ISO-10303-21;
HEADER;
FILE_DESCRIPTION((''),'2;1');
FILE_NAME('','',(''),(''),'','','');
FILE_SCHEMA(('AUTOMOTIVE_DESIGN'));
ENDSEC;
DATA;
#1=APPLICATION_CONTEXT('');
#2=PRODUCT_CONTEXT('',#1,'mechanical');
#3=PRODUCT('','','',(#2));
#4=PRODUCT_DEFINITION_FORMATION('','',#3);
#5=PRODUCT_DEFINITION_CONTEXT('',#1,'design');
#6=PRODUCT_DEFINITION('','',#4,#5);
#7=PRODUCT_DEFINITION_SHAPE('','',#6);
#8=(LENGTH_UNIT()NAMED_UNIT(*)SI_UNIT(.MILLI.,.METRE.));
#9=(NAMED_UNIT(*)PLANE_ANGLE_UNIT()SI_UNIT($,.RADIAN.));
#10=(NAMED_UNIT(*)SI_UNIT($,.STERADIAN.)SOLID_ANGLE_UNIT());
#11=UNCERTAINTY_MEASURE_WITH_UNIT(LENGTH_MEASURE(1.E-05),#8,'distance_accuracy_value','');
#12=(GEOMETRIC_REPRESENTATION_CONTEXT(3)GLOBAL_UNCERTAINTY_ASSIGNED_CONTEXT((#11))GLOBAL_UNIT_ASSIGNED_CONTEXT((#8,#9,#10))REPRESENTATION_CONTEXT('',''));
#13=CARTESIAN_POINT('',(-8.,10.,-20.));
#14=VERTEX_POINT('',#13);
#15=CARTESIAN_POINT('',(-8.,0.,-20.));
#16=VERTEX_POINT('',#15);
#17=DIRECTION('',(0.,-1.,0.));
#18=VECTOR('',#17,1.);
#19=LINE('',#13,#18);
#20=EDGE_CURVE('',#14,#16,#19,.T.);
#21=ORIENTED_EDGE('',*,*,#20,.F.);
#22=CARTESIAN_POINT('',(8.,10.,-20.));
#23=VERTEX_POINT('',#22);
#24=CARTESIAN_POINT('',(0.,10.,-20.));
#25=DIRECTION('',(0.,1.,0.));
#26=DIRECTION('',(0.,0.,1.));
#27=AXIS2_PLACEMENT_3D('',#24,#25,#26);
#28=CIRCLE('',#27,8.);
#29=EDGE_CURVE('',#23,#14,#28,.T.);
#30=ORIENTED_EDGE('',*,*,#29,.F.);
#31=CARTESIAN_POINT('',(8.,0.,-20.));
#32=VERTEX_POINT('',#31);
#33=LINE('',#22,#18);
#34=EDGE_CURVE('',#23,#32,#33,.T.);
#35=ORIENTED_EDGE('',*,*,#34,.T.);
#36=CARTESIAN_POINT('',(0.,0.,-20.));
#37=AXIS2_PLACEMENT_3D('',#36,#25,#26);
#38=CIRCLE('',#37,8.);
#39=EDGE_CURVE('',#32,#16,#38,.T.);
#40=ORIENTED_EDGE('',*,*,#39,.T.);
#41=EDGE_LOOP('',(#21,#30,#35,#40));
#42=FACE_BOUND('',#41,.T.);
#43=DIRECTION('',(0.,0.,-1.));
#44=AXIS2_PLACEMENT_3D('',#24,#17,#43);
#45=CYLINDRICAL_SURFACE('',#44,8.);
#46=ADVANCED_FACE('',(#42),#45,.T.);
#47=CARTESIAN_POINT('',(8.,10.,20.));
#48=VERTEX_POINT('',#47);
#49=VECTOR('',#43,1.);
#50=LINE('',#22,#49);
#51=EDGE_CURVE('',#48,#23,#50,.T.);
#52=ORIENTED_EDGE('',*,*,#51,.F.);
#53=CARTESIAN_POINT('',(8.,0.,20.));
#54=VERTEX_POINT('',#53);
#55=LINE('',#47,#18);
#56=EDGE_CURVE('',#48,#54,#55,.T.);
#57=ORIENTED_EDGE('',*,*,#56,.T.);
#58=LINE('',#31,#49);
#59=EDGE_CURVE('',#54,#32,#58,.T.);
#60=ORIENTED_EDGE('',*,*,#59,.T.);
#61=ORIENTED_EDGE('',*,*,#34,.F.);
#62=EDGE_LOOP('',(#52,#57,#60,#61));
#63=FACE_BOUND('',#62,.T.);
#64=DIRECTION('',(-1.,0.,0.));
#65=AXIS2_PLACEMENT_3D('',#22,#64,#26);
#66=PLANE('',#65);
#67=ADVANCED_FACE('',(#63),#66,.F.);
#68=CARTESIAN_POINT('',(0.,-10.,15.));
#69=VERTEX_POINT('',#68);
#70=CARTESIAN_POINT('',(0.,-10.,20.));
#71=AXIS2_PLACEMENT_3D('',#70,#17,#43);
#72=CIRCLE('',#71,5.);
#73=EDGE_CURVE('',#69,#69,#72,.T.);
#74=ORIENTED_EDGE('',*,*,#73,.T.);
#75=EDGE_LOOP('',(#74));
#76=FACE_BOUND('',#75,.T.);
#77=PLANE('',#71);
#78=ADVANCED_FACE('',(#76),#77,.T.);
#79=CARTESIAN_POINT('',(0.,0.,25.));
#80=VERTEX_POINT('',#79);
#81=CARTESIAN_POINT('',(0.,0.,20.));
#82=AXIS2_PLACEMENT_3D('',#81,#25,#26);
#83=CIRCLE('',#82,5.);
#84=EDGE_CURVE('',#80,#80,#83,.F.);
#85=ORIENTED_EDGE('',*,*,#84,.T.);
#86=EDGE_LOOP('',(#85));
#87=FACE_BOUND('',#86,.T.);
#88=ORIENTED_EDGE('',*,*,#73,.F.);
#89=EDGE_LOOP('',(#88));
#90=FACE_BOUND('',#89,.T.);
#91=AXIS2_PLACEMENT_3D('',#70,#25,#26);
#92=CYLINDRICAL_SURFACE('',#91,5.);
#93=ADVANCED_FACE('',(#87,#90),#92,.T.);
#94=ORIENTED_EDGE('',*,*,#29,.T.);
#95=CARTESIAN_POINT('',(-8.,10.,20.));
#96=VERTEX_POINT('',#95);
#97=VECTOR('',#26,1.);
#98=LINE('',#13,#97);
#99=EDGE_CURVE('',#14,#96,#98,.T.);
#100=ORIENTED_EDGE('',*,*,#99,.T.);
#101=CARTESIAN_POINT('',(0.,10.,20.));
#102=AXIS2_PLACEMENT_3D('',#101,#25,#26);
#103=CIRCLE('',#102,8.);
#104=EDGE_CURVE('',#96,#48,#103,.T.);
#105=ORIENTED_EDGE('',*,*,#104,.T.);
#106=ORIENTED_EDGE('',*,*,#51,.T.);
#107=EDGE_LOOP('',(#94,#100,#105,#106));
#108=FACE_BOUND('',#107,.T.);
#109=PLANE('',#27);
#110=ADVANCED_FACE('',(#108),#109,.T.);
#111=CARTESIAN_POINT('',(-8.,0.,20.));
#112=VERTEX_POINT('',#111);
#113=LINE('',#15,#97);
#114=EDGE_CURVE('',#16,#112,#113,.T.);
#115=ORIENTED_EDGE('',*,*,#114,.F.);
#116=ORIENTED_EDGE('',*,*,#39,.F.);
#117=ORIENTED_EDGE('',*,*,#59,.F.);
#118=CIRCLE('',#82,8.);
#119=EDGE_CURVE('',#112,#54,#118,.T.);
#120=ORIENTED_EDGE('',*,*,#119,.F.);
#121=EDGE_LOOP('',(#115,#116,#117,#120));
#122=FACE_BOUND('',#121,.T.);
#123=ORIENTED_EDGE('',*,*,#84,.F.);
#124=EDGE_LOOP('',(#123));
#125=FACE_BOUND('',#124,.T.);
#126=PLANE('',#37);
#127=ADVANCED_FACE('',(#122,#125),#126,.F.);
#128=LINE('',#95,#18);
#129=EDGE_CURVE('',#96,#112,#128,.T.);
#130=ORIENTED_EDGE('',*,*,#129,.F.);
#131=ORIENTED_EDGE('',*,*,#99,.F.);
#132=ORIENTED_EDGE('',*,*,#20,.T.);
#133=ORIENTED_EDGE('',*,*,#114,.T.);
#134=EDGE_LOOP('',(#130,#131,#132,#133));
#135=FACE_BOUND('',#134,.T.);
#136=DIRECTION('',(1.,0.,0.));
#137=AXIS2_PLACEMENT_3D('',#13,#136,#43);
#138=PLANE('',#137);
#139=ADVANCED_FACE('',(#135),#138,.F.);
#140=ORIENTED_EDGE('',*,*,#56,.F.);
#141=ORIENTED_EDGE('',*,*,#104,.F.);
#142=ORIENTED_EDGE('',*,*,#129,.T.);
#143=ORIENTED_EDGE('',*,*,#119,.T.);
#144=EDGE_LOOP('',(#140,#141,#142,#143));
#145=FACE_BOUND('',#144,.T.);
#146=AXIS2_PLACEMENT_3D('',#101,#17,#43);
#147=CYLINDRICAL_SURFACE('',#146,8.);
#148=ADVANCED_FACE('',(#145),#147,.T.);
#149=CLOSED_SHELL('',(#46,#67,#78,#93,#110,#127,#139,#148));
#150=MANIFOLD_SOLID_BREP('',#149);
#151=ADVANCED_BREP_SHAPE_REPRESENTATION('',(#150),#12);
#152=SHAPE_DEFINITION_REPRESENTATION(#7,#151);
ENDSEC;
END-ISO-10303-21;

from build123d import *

# Parameters (mm, degrees)
BOSS_EXTRUDE1_DEPTH = 10
SKETCH2_R           = 5
BOSS_EXTRUDE2_DEPTH = 10


with BuildPart() as part:
    # Sketch1 → Boss-Extrude1 (new body)
    with BuildSketch(Plane(origin=(0, 0, 0), x_dir=(1, 0, 0), z_dir=(0, 1, 0))):
        with BuildLine():
            Line((8, 20), (8, -20))
            ThreePointArc((8, -20), (0, -28), (-8, -20))
            Line((-8, -20), (-8, 20))
            ThreePointArc((-8, 20), (0, 28), (8, 20))
        make_face()
    extrude(amount=BOSS_EXTRUDE1_DEPTH)

    # Sketch2 → Boss-Extrude2 (add)
    with BuildSketch(Plane.XZ):
        with Locations(Location((0, 20, 0), (0, 0, 90))):
            Circle(SKETCH2_R)
    extrude(amount=BOSS_EXTRUDE2_DEPTH)


solid = part.part
